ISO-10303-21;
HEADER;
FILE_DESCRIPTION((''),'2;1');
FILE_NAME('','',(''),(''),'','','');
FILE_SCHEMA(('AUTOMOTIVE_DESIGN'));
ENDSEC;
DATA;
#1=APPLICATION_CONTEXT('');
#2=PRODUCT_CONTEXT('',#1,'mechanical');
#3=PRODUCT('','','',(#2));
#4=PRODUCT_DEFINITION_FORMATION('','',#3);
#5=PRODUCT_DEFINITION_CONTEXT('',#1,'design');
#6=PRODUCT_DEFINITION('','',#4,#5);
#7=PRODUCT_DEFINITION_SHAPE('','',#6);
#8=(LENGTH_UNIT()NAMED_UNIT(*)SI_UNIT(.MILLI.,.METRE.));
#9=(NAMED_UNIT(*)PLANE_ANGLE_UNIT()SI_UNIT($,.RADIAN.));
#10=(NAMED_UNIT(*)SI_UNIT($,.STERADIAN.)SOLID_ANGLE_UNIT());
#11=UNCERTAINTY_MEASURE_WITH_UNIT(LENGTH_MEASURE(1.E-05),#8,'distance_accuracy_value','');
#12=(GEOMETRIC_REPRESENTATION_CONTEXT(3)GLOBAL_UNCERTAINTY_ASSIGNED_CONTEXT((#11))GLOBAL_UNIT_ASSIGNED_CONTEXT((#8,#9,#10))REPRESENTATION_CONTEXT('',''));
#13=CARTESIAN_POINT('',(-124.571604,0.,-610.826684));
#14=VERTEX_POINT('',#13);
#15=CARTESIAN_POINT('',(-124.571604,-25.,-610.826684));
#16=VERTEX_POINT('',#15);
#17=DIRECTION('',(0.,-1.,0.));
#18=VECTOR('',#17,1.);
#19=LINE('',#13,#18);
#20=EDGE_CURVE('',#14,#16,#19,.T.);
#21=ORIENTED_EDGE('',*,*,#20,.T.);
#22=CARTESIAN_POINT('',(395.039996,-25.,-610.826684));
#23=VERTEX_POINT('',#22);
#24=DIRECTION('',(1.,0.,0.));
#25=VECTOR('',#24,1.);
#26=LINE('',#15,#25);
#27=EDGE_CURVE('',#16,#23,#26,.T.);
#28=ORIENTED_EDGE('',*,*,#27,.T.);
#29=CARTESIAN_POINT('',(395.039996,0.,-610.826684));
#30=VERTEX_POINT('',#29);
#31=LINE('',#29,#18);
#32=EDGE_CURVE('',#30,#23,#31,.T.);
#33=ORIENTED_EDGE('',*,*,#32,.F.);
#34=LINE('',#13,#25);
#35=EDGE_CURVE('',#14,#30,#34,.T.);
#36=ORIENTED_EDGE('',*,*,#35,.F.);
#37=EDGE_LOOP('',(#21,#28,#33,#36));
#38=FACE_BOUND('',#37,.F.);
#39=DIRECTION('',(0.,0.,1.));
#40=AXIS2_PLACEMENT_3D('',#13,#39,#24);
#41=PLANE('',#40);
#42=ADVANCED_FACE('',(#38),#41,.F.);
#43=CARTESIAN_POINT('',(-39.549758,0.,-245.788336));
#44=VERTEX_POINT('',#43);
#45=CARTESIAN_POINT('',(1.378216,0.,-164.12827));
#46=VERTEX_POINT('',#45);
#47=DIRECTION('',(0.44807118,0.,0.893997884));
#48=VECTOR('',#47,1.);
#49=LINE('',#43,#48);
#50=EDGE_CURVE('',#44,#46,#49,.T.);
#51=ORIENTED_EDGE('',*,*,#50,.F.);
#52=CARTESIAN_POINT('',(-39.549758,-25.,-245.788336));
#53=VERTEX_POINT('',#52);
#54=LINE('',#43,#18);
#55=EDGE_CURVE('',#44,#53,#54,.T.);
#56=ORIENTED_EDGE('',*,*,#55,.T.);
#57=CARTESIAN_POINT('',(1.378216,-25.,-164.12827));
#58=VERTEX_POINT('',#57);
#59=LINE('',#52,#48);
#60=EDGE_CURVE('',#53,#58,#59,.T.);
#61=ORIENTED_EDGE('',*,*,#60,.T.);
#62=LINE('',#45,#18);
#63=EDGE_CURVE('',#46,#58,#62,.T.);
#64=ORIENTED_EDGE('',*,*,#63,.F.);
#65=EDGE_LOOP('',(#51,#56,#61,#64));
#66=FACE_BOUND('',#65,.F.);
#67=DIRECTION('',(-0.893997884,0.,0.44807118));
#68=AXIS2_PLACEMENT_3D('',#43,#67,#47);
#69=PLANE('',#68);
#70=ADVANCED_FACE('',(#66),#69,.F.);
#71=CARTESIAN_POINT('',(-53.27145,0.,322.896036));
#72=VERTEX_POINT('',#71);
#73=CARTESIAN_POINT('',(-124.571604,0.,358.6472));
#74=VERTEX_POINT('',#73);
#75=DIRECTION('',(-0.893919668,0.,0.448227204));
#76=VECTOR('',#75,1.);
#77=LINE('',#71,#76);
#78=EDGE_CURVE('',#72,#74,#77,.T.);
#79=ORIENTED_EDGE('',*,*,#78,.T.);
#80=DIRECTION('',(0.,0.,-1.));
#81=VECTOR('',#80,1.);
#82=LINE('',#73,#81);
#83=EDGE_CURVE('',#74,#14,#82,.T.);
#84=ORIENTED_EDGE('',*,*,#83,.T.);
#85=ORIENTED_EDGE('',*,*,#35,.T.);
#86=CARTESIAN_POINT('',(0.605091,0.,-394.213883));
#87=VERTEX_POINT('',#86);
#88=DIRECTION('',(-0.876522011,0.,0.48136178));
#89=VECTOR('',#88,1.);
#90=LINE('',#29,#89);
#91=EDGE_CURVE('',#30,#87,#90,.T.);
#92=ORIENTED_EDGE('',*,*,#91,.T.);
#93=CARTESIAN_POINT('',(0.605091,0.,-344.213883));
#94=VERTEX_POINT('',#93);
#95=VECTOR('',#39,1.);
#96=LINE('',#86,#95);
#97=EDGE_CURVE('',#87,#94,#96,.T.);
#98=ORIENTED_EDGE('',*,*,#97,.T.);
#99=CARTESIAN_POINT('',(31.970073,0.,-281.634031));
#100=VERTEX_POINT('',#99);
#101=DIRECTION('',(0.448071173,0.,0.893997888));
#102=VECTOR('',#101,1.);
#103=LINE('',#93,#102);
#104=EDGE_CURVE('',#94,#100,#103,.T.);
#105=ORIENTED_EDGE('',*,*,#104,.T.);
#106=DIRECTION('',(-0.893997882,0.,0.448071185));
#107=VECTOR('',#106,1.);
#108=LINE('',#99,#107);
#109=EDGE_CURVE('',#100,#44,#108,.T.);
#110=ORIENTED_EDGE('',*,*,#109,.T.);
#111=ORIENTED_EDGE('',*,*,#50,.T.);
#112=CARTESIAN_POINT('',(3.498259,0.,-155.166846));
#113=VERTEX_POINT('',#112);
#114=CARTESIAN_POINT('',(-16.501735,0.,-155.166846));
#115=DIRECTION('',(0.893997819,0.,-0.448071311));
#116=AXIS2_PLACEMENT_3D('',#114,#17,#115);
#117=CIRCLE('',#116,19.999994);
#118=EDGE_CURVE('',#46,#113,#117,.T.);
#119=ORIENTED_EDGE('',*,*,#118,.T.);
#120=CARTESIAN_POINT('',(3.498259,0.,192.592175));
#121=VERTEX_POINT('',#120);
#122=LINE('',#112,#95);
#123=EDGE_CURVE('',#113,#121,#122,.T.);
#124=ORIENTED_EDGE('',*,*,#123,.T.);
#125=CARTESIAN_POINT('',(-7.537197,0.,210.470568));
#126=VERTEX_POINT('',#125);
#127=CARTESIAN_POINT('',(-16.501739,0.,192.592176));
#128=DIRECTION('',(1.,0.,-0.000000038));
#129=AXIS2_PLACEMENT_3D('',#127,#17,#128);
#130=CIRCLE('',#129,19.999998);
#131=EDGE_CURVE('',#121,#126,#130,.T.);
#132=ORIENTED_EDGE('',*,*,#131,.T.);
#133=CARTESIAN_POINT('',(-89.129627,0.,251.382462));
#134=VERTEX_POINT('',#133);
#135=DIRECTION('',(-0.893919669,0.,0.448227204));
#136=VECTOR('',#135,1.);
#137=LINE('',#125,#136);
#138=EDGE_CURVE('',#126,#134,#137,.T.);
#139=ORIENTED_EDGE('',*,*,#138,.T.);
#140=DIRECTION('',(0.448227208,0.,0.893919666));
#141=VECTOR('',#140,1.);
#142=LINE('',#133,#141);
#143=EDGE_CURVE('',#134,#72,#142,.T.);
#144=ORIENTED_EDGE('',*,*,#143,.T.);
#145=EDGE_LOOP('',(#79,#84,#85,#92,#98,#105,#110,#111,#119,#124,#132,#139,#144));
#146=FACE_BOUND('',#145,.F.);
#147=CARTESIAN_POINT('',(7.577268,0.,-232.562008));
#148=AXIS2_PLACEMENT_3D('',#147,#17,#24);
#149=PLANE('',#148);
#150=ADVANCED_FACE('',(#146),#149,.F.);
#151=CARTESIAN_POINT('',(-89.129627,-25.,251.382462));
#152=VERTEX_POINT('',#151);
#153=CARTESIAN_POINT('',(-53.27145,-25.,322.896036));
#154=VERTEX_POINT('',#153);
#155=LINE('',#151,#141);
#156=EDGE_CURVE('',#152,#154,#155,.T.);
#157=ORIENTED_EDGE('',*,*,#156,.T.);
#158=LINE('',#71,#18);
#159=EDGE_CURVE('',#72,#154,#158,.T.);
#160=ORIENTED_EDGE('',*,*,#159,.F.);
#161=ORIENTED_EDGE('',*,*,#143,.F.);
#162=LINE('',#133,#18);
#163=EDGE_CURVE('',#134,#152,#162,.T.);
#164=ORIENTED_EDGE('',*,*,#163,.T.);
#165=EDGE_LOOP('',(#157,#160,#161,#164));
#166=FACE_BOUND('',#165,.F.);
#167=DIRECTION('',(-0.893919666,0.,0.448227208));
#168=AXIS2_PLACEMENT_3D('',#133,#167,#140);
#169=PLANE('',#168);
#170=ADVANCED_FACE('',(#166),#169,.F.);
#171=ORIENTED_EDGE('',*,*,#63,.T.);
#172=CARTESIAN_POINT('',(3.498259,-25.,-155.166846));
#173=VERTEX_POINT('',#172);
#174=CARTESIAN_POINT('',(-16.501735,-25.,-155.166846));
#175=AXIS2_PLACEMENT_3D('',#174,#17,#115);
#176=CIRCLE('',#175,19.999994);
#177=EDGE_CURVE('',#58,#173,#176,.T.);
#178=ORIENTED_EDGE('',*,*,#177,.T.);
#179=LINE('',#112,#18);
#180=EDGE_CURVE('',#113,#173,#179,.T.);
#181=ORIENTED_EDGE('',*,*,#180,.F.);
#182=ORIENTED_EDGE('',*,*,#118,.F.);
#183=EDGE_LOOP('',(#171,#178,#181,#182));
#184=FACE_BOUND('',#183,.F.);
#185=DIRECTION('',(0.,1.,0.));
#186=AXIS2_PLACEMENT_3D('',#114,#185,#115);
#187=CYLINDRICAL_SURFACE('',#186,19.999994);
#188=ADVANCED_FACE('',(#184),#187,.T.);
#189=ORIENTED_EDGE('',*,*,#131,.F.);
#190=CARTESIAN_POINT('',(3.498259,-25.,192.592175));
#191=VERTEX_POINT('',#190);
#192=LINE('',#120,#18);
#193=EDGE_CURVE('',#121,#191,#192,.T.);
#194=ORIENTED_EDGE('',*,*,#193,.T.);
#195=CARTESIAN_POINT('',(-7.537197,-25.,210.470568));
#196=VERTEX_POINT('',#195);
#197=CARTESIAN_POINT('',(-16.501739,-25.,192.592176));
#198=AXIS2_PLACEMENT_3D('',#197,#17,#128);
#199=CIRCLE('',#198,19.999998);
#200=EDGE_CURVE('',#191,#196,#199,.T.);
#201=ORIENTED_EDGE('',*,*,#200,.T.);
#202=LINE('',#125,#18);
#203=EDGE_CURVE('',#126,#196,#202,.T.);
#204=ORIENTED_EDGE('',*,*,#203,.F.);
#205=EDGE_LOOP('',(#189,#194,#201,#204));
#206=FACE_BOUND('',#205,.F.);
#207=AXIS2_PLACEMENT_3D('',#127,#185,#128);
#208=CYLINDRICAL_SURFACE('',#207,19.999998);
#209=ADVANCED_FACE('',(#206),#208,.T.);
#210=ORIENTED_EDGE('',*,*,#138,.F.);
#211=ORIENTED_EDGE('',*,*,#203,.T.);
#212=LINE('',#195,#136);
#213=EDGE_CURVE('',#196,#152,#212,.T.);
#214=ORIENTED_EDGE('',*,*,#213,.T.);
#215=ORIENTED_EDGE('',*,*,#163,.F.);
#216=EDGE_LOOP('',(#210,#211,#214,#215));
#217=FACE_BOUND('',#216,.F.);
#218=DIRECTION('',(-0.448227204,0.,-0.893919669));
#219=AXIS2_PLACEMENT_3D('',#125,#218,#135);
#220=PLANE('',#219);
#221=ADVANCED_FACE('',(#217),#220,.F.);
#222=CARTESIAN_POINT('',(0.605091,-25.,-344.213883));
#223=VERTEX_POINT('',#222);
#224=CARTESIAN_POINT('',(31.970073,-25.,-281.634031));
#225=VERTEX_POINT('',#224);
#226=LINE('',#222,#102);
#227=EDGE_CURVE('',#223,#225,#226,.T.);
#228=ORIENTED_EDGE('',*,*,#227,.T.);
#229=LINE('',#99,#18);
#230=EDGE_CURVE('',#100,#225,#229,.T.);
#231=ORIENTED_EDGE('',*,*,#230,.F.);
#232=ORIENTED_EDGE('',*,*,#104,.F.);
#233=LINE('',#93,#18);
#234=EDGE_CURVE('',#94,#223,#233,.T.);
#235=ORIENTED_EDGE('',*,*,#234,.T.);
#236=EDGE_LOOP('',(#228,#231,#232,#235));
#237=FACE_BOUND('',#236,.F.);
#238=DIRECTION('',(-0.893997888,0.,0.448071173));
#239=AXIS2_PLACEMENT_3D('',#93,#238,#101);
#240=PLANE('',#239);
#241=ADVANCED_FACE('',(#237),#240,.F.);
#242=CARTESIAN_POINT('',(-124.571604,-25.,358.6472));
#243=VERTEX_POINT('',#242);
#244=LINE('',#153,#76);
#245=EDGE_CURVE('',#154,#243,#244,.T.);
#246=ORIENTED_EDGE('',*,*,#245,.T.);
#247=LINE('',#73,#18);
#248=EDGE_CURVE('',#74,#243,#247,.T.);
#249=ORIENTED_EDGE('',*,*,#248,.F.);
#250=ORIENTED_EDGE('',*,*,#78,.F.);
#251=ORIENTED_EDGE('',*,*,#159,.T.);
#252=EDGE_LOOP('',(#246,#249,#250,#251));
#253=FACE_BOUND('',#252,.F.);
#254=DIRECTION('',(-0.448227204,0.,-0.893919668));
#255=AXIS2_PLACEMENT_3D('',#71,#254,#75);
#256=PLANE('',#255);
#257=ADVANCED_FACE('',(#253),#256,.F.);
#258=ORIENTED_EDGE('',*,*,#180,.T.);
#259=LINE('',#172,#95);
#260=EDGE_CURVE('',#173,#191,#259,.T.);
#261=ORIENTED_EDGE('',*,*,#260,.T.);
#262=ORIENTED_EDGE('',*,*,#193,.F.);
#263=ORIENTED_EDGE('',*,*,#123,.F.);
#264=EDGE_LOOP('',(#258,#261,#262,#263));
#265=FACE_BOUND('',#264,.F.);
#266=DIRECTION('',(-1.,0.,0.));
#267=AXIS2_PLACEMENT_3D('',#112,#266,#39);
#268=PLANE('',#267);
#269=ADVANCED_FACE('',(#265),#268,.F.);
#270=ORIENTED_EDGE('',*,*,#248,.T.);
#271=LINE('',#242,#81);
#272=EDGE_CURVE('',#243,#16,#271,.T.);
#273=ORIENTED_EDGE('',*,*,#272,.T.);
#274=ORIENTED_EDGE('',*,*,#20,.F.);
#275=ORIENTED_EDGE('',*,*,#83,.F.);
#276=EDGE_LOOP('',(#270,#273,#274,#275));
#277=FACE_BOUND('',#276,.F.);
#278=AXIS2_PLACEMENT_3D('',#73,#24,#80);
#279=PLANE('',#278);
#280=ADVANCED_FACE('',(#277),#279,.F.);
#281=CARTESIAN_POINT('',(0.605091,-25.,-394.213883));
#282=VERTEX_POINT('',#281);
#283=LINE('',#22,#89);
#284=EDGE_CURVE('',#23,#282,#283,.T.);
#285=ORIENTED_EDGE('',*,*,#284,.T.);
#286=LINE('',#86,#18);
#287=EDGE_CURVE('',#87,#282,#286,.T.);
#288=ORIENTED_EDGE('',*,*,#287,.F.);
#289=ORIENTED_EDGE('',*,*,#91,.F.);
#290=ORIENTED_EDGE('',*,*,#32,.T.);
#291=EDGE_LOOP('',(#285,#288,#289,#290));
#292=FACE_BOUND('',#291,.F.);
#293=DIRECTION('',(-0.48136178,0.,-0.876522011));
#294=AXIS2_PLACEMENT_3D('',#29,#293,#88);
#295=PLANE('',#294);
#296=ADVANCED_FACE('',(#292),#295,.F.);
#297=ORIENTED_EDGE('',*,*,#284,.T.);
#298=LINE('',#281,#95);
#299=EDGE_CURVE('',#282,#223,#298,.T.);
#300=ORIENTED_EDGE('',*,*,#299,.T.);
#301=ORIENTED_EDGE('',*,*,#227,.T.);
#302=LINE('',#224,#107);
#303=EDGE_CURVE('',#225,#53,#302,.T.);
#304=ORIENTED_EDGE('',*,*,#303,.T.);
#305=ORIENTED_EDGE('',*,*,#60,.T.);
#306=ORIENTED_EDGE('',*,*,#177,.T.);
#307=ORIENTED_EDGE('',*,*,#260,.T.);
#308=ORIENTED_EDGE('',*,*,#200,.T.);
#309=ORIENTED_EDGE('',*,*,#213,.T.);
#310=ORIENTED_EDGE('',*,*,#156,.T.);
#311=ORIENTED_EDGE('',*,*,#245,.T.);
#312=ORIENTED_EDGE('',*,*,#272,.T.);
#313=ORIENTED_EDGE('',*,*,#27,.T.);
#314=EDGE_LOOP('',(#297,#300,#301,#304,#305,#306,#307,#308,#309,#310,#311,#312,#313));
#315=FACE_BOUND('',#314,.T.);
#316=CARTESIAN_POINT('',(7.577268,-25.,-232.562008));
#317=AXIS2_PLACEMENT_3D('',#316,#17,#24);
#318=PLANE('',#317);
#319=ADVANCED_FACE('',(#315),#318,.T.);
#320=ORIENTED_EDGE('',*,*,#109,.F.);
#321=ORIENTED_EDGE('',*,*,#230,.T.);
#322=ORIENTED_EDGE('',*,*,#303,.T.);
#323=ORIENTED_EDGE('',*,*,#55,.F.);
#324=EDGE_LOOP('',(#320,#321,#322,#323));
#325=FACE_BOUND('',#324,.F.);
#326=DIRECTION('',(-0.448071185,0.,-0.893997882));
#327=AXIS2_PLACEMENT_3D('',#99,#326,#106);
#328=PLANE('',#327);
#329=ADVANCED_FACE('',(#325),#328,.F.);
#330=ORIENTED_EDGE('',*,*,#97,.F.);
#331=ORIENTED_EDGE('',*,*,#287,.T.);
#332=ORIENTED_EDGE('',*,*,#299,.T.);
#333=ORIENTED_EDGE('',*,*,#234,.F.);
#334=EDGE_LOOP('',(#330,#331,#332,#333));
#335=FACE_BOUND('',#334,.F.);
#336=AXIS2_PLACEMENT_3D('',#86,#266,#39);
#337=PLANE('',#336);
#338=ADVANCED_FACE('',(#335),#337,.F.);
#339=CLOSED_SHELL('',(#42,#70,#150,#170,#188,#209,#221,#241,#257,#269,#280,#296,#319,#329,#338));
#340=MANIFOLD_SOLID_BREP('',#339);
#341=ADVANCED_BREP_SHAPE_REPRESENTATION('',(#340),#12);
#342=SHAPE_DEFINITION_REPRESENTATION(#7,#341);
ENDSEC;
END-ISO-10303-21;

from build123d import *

# Parameters (mm, degrees)
F1_DEPTH = 25


with BuildPart() as f1:
    # F0 (on Front) → F1 (new body)
    with BuildSketch(Plane.XZ):
        with BuildLine():
            Line((-124.571604, -610.826684), (395.039996, -610.826684))
            Line((395.039996, -610.826684), (0.605091, -394.213883))
            Line((0.605091, -394.213883), (0.605091, -344.213883))
            Line((0.605091, -344.213883), (31.970073, -281.634031))
            Line((31.970073, -281.634031), (-39.549758, -245.788336))
            Line((-39.549758, -245.788336), (1.378216, -164.12827))
            ThreePointArc((1.378216, -164.12827), (2.961033, -159.771238), (3.498259, -155.166846))
            Line((3.498259, -155.166846), (3.498259, 192.592175))
            ThreePointArc((3.498259, 192.592175), (0.517232, 203.097153), (-7.537197, 210.470568))
            Line((-7.537197, 210.470568), (-89.129627, 251.382462))
            Line((-89.129627, 251.382462), (-53.27145, 322.896036))
            Line((-53.27145, 322.896036), (-124.571604, 358.6472))
            Line((-124.571604, 358.6472), (-124.571604, -610.826684))
        make_face()
    extrude(amount=F1_DEPTH)


solid = f1.part
